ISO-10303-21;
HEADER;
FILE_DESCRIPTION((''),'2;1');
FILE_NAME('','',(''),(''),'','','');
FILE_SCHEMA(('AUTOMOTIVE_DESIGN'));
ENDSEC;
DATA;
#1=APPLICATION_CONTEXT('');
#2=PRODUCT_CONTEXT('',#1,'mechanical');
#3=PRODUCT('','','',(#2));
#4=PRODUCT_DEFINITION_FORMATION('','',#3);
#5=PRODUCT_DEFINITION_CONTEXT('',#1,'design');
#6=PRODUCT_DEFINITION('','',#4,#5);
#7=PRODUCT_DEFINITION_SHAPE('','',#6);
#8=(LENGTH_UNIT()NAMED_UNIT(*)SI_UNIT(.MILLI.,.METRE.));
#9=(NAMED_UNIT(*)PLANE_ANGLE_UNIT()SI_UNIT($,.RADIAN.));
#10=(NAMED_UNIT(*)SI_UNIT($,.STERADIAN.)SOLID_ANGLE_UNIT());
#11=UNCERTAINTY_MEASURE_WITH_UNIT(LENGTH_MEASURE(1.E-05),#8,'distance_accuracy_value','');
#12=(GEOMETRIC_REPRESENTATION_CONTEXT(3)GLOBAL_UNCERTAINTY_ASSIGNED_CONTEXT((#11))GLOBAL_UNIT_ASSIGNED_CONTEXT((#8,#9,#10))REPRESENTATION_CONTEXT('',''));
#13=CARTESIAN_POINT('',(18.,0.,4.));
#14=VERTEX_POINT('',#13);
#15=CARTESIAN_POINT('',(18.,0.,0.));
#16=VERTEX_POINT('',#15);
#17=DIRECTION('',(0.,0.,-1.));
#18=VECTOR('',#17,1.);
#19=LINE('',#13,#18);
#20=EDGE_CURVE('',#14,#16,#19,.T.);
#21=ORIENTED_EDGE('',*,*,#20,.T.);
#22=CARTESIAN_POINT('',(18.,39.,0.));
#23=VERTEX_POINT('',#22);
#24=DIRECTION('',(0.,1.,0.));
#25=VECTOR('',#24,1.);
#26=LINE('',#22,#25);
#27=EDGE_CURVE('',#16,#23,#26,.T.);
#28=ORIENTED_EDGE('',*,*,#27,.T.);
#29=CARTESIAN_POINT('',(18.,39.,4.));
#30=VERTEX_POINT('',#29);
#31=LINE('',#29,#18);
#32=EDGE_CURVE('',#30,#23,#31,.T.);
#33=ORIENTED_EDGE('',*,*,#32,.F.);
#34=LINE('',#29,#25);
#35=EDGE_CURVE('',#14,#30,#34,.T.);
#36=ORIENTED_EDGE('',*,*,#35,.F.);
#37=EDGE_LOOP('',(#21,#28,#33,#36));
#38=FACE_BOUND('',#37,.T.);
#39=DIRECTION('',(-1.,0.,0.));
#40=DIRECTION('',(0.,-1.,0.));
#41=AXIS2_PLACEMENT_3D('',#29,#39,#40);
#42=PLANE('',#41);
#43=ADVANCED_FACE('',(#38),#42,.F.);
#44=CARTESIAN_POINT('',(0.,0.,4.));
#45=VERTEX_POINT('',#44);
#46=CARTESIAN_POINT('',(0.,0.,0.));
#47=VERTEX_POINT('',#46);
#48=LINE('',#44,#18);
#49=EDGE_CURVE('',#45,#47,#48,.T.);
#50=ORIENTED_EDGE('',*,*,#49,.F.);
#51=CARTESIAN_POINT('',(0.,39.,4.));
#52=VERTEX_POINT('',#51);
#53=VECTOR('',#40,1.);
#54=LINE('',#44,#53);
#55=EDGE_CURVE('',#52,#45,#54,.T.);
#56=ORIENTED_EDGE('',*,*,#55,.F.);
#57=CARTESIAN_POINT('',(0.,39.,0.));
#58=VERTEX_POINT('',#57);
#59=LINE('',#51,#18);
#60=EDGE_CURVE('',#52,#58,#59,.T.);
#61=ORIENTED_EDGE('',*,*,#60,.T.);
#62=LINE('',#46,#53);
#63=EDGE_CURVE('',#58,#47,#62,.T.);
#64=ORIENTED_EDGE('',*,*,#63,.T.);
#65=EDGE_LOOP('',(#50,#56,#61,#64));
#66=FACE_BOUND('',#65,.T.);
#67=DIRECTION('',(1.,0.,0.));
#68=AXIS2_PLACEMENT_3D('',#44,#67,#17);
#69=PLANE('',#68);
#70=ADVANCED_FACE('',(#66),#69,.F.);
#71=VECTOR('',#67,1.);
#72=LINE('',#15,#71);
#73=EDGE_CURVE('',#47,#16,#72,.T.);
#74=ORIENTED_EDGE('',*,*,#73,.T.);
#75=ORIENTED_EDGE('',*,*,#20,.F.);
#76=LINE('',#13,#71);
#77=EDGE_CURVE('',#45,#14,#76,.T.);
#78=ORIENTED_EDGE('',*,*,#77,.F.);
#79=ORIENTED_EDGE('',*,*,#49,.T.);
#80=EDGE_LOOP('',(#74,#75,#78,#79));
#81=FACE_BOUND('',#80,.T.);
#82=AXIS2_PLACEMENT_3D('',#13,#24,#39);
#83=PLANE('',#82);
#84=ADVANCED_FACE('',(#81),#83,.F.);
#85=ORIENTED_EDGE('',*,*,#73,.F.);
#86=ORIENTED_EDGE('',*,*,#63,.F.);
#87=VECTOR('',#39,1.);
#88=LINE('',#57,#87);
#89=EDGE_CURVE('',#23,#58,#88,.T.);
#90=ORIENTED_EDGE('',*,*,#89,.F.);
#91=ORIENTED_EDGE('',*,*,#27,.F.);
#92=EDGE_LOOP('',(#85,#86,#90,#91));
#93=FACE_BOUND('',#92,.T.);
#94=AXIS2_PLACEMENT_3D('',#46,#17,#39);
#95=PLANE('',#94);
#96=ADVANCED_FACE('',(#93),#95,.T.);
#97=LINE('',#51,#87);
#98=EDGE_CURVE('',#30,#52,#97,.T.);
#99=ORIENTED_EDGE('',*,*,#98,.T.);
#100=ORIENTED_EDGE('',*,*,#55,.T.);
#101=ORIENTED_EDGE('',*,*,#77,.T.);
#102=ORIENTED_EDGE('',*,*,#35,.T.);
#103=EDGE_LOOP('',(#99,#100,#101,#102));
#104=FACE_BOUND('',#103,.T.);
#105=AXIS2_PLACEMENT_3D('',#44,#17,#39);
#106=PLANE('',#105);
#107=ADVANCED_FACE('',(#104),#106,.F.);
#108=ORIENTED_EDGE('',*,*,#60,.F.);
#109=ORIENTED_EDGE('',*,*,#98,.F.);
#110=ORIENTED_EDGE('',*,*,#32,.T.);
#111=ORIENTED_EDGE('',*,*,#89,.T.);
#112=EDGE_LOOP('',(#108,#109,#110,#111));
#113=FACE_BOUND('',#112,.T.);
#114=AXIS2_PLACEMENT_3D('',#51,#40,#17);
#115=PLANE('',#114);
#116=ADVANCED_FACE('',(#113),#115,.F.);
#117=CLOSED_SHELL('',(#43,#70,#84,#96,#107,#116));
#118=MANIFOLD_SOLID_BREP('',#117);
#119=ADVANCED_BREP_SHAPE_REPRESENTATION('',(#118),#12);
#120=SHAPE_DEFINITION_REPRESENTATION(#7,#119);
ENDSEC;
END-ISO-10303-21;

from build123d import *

# Parameters (mm, degrees)
SKETCH1_W           = 18
SKETCH1_H           = 39
BOSS_EXTRUDE1_DEPTH = 4


with BuildPart() as part:
    # Sketch1 → Boss-Extrude1 (new body)
    with BuildSketch(Plane.XY):
        with Locations((9, 19.5)):
            Rectangle(SKETCH1_W, SKETCH1_H)
    extrude(amount=BOSS_EXTRUDE1_DEPTH)


solid = part.part
